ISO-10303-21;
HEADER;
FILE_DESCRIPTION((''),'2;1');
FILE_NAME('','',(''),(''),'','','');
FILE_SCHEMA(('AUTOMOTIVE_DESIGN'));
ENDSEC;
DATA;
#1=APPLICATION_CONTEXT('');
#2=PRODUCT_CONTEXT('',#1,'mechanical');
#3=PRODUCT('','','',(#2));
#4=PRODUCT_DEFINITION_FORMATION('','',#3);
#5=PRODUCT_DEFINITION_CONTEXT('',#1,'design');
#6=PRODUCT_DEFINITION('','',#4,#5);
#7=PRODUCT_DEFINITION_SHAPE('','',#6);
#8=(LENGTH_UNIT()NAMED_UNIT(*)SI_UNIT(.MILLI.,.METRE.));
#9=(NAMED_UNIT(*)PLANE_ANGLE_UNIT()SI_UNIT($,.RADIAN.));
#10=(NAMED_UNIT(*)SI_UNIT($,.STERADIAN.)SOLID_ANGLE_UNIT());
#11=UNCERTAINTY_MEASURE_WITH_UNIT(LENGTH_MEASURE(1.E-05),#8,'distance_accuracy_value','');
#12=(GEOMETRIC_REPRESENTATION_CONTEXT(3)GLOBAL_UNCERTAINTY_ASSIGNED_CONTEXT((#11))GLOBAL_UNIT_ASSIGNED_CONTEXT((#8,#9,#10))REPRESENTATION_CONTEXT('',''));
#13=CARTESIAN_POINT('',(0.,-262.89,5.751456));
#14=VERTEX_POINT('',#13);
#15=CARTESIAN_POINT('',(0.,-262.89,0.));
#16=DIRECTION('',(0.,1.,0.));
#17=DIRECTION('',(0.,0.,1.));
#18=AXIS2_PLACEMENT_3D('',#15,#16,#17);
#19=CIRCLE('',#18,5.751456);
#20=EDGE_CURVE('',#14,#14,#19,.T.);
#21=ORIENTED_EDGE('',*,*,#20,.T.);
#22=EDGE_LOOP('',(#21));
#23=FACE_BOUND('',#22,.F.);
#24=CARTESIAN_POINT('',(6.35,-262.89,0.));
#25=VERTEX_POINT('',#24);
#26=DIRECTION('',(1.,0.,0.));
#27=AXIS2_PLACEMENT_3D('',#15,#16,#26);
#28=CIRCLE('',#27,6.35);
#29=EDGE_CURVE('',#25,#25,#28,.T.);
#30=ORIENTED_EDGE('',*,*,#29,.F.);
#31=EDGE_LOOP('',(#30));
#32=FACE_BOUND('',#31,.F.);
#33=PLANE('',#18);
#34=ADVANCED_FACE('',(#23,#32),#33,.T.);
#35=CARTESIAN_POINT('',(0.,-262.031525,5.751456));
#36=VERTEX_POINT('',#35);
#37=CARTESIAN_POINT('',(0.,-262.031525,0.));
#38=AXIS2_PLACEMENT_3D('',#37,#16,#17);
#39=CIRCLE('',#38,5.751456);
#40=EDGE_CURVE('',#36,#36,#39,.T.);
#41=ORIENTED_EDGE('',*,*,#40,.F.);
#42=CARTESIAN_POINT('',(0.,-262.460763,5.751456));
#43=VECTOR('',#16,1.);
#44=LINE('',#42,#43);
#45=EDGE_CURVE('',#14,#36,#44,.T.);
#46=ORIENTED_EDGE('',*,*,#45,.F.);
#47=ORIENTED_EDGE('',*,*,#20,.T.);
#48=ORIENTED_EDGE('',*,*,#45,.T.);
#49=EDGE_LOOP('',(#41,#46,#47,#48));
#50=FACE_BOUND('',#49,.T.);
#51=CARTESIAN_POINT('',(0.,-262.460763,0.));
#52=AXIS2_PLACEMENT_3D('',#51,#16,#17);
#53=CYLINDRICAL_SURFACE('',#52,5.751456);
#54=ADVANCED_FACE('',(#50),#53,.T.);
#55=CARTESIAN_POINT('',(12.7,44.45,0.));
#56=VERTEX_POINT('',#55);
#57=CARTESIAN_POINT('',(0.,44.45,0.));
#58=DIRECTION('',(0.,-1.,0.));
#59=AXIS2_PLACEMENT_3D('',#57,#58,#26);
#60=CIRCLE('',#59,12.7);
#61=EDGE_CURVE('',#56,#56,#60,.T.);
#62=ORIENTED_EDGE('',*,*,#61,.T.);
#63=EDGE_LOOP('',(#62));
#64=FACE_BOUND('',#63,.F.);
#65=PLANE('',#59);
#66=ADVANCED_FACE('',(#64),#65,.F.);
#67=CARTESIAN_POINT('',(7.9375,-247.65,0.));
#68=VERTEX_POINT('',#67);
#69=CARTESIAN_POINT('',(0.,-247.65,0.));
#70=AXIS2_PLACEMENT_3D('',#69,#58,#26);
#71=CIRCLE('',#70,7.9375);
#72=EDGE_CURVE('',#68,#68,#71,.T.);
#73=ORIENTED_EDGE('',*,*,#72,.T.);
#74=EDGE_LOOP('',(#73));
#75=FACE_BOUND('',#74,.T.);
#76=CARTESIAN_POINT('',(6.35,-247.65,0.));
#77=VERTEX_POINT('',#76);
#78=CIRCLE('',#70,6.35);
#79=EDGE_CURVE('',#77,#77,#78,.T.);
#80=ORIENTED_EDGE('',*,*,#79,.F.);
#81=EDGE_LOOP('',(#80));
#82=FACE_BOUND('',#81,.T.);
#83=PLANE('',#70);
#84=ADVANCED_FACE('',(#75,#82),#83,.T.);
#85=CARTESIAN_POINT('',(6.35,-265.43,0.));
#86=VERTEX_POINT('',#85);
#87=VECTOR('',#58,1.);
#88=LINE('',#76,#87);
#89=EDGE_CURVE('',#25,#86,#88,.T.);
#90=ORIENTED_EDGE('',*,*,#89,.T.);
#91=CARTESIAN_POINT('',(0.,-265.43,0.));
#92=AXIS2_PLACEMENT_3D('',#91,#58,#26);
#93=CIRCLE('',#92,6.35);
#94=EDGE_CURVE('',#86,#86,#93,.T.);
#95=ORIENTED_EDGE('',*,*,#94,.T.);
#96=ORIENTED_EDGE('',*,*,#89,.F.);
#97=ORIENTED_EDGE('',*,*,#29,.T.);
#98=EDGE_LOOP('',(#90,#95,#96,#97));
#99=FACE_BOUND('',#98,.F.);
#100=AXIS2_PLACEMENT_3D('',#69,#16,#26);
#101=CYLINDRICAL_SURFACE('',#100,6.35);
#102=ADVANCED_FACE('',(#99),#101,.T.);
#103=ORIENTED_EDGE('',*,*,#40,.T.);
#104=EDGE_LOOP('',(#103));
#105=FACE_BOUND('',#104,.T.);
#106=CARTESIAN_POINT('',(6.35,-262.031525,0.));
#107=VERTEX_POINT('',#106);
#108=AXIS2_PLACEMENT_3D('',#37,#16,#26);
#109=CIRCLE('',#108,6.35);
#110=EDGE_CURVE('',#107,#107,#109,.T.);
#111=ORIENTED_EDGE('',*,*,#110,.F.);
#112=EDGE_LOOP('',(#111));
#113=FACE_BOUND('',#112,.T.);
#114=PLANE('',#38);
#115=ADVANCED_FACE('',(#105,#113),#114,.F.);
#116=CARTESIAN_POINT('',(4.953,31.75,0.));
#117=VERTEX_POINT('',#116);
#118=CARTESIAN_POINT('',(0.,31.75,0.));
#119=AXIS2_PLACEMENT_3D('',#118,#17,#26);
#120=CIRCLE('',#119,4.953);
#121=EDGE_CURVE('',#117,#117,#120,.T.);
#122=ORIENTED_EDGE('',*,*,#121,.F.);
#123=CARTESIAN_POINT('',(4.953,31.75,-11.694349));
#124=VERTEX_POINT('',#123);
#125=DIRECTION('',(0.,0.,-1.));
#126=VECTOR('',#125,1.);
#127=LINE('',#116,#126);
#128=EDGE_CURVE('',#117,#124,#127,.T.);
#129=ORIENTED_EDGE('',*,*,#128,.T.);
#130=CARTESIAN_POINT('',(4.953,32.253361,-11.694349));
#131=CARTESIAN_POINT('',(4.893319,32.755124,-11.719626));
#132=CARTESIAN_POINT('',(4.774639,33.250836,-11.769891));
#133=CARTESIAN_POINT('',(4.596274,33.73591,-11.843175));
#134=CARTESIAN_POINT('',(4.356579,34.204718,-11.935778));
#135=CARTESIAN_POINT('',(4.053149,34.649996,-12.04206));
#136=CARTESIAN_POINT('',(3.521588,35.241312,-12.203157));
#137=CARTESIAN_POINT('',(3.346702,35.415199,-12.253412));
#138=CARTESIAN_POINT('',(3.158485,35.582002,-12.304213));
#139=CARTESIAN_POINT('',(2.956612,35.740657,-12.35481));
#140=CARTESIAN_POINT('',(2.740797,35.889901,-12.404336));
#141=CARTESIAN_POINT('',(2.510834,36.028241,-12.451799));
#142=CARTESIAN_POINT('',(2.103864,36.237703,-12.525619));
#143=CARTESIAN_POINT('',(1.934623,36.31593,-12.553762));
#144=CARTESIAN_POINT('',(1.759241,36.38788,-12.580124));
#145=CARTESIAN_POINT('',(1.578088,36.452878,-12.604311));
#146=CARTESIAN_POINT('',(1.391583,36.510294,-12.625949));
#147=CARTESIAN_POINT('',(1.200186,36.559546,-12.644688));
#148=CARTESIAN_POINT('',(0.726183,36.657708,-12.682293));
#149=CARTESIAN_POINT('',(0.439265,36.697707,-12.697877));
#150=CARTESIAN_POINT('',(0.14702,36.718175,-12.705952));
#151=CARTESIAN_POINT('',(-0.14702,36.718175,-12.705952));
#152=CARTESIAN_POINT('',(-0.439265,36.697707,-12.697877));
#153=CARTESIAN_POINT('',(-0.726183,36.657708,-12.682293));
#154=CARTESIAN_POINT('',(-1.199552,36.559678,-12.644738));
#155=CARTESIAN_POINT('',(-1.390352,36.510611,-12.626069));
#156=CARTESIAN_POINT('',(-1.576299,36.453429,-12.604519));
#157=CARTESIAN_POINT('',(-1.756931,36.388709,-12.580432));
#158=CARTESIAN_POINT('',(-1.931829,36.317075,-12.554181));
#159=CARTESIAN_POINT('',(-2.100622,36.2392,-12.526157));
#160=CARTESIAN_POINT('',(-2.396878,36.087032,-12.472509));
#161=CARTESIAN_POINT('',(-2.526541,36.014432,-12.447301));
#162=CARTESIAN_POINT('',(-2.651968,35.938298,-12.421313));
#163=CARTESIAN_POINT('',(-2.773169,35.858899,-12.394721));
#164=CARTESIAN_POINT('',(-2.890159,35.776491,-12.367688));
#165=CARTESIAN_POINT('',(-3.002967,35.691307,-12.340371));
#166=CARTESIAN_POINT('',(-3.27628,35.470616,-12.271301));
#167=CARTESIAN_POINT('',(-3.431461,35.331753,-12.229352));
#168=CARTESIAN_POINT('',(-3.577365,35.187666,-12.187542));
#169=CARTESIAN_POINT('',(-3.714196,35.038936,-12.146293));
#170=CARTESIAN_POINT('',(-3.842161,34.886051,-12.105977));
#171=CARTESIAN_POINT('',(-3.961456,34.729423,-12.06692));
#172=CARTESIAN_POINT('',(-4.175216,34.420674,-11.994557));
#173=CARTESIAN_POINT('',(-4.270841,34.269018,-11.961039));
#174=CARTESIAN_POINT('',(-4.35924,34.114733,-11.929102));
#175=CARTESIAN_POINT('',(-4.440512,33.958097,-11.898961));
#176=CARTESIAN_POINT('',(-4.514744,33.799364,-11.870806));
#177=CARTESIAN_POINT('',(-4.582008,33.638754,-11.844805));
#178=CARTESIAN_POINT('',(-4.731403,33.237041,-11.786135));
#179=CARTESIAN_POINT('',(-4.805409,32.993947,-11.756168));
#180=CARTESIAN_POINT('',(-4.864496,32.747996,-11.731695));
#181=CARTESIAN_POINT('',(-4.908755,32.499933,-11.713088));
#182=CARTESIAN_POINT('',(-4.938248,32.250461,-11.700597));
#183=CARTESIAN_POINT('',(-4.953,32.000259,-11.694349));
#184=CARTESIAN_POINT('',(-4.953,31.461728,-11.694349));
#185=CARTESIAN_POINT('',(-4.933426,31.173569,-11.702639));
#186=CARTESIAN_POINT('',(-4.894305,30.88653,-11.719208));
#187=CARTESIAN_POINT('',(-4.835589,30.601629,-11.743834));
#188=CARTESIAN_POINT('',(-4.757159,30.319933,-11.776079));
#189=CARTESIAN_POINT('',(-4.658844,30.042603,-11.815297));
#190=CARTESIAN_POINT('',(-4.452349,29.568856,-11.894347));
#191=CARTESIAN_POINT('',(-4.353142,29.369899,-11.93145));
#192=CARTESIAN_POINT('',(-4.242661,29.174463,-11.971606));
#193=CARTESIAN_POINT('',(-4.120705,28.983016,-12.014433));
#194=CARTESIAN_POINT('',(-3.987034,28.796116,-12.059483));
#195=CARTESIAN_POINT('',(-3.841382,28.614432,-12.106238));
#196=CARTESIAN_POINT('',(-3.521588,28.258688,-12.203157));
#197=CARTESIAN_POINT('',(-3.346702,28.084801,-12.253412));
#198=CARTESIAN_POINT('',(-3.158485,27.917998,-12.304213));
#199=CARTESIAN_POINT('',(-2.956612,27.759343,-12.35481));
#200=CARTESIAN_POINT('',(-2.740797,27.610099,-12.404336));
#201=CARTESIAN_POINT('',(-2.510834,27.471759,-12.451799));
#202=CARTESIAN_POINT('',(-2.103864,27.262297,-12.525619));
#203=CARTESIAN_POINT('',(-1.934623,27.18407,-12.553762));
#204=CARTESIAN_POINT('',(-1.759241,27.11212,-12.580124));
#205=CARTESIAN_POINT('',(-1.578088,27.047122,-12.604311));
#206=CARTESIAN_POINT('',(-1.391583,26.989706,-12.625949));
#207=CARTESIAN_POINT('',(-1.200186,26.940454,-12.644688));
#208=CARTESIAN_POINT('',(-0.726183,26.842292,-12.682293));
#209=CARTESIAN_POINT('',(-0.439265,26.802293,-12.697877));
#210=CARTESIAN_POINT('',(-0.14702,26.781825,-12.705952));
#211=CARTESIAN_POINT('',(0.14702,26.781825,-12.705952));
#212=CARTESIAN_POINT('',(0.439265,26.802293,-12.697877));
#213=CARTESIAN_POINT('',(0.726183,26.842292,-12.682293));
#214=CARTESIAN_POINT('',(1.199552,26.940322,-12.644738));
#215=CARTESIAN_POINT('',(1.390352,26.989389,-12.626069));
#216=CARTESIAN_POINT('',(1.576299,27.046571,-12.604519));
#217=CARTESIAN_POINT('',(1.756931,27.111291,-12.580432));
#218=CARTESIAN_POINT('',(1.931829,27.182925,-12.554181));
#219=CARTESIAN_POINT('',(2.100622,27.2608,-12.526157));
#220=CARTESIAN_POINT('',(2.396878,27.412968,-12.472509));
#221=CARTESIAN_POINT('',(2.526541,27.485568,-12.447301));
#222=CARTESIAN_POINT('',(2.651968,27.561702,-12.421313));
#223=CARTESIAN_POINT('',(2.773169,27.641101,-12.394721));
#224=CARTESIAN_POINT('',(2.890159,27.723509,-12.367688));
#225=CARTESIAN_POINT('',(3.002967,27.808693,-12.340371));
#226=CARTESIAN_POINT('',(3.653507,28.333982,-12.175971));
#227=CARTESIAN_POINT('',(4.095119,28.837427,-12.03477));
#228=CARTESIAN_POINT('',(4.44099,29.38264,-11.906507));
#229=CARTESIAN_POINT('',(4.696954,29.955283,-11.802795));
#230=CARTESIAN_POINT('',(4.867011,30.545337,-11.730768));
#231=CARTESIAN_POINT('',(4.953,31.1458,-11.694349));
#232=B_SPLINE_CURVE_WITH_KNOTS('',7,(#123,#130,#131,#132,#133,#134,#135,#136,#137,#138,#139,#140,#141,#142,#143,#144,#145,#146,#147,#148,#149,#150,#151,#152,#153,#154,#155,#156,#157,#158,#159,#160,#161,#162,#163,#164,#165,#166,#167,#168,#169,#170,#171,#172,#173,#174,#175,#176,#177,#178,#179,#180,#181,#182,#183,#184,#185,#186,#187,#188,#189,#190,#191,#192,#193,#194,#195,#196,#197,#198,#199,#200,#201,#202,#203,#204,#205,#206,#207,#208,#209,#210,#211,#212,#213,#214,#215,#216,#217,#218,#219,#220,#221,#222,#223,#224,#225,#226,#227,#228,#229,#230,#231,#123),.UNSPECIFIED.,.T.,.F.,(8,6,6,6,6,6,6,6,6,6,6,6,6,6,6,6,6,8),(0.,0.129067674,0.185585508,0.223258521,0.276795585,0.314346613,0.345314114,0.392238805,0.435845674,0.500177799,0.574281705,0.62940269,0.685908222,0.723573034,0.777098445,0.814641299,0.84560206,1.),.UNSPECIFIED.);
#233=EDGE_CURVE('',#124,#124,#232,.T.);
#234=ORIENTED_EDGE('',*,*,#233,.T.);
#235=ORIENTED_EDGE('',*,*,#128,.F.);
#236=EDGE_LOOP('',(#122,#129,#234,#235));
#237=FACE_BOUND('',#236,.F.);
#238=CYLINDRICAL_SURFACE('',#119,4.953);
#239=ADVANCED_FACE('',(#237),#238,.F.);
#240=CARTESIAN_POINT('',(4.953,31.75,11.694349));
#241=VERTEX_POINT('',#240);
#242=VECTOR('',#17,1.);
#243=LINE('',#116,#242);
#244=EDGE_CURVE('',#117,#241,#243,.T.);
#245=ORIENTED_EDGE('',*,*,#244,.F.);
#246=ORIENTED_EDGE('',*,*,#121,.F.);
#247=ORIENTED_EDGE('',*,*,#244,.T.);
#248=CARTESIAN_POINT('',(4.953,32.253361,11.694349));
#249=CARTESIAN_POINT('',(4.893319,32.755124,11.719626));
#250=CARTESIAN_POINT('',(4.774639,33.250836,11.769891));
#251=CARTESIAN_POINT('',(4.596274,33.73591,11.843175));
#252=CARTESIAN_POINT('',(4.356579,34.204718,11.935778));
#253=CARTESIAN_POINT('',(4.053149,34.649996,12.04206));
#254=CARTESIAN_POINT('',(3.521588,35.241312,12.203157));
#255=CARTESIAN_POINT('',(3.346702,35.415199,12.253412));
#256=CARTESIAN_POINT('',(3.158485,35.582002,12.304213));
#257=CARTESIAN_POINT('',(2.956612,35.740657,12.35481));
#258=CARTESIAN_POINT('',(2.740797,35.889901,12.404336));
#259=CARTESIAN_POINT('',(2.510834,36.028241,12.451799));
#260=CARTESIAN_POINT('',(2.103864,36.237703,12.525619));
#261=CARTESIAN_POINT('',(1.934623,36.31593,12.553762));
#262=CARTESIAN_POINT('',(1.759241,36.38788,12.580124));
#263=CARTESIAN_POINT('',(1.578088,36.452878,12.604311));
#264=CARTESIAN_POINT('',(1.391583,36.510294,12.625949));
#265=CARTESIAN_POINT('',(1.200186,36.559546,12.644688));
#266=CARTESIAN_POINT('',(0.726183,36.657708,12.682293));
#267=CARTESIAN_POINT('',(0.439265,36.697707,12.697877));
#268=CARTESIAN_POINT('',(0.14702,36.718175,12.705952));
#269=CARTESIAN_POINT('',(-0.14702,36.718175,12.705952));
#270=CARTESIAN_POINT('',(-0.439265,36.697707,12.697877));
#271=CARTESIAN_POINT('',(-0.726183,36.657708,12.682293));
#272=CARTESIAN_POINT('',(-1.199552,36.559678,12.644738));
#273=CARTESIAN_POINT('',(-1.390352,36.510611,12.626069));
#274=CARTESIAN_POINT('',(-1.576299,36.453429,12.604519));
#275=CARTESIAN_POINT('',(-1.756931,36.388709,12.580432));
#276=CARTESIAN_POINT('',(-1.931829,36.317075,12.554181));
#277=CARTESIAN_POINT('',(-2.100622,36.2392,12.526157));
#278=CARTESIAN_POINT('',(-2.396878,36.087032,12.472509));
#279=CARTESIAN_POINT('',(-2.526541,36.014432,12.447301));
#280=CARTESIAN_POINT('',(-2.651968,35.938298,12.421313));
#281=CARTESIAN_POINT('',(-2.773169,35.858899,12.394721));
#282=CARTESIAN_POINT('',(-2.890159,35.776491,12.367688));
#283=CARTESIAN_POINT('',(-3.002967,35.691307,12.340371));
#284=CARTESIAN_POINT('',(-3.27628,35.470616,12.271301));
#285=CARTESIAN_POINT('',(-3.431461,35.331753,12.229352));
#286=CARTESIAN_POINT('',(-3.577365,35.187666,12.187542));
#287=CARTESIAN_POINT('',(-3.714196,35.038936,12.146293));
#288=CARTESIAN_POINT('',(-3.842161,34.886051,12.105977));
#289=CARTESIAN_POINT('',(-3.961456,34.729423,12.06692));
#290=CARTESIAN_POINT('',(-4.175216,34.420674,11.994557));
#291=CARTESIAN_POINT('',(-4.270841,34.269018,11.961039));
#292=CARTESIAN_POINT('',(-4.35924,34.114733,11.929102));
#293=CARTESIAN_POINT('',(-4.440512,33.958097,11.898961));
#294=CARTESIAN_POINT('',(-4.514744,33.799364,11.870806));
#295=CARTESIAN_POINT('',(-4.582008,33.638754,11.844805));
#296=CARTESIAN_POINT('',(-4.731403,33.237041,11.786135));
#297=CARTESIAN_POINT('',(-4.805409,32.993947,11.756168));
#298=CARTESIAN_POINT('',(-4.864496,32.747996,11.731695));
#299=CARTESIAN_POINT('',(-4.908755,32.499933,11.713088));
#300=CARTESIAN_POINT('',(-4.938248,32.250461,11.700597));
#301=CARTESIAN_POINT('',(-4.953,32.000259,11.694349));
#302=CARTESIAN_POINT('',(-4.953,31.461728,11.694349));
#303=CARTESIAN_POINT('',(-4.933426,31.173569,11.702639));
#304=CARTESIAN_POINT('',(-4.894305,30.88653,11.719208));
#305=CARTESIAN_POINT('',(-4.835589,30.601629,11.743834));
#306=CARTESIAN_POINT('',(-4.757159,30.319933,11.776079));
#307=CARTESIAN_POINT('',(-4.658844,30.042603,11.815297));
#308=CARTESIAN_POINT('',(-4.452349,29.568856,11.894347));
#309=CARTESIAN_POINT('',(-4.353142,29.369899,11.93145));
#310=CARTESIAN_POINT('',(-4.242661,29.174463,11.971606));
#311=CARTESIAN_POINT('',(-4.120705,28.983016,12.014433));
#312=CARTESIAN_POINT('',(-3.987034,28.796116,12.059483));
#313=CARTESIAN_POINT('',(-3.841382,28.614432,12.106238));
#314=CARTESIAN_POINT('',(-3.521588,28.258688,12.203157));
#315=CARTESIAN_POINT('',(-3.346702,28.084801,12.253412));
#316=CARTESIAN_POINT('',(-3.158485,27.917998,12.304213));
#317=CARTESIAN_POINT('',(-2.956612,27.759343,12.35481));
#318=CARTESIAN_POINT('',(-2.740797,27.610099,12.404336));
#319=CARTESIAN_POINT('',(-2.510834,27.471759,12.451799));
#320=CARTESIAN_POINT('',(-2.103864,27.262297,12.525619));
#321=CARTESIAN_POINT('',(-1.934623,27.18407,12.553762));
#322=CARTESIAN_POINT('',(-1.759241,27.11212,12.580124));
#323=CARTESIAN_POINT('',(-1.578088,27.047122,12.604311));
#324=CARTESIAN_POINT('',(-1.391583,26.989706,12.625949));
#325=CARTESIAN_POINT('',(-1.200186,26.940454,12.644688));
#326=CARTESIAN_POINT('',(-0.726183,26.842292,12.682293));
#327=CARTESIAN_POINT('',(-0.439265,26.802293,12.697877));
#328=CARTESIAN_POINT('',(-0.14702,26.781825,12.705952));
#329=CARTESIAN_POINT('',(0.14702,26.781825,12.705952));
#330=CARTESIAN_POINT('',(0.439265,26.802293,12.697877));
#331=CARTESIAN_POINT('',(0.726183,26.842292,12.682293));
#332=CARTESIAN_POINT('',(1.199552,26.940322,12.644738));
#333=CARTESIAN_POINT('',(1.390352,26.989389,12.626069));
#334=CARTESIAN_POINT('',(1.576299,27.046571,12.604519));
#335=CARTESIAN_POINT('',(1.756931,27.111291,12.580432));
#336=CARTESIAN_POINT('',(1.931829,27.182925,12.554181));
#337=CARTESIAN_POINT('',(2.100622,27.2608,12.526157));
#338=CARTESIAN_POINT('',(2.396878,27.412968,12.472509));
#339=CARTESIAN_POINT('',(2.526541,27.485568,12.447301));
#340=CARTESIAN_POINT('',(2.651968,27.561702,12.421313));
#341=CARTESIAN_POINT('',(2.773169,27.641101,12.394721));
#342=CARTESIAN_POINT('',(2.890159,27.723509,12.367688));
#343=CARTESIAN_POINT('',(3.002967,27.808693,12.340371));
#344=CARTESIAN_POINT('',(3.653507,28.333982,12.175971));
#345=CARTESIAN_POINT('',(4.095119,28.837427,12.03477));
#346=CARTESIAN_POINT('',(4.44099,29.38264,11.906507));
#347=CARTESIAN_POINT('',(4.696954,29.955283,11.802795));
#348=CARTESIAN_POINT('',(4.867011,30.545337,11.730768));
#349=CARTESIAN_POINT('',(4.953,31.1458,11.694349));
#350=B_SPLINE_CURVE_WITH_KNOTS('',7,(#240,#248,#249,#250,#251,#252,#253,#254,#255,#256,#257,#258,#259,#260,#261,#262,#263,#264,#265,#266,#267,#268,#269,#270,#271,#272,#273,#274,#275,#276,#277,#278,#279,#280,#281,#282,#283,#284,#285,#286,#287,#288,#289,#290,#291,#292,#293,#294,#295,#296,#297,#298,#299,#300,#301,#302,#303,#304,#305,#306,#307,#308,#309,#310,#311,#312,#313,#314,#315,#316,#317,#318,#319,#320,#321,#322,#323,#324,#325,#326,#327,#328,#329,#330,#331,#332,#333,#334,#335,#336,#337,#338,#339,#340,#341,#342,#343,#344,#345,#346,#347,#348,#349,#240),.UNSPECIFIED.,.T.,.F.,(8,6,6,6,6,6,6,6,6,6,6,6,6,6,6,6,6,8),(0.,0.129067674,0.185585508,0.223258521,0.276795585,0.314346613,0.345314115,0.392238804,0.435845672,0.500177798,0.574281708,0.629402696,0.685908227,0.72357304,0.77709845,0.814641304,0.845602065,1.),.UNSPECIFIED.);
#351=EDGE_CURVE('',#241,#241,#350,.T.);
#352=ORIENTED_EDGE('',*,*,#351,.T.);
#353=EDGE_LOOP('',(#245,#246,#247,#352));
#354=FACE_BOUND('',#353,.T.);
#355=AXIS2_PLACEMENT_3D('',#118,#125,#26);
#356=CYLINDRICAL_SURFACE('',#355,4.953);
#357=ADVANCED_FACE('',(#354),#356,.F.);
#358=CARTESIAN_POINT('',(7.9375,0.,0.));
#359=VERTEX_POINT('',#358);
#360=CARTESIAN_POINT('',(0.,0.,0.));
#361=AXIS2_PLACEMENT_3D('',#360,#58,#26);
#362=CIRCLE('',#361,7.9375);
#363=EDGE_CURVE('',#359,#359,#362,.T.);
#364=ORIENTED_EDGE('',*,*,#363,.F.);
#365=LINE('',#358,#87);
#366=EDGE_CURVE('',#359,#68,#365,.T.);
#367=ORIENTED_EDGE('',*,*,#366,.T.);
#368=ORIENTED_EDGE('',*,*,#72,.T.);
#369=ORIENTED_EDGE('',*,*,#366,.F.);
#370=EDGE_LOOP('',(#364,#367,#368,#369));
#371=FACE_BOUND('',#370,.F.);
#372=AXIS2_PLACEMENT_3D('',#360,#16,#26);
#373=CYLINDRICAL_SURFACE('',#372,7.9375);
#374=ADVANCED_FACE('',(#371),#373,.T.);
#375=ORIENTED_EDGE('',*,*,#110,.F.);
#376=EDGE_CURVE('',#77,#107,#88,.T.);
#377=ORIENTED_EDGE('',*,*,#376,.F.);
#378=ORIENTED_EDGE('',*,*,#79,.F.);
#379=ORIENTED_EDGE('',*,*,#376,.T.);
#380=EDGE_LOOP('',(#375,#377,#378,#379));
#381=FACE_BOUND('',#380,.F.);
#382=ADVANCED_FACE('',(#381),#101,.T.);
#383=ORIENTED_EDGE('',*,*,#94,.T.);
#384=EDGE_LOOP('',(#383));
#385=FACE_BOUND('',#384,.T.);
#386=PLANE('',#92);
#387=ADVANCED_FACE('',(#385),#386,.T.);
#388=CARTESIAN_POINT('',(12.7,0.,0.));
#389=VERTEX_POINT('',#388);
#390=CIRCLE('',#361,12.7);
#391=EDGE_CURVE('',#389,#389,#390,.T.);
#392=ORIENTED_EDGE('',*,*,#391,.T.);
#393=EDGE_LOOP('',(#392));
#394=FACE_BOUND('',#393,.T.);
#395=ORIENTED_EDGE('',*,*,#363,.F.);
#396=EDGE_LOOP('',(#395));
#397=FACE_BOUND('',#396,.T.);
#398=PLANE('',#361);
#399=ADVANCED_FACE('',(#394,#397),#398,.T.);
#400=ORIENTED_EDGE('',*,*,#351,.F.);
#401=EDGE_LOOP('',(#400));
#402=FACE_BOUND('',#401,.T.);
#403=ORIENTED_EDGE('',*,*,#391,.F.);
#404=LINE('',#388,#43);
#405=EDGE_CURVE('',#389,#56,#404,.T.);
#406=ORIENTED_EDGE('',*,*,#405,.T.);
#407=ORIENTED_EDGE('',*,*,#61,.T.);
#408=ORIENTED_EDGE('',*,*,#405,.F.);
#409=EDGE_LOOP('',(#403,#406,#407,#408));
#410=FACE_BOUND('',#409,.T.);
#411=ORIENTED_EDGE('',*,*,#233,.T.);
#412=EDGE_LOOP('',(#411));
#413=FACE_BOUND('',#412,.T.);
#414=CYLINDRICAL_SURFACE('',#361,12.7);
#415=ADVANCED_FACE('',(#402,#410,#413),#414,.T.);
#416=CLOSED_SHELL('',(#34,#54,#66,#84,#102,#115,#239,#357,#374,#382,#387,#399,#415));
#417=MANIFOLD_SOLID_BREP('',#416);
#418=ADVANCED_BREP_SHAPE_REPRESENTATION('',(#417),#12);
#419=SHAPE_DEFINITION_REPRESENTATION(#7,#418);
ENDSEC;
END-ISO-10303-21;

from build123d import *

# Parameters (mm, degrees)
F0_R          = 12.7
F1_DEPTH      = 44.45
F2_R          = 7.9375
F3_DEPTH      = 247.65
F4_R          = 6.35
F5_DEPTH      = 17.78
F6_W          = 0.8584746265
F6_H          = 1.4799516648
F8_R          = 4.953
F9_DEPTH      = 25.4
F9_DEPTH_BACK = 25.4


with BuildPart() as f1:
    # F0 (on Front) → F1 (new body)
    with BuildSketch(Plane.XZ):
        Circle(F0_R)
    extrude(amount=-F1_DEPTH)

    # F2 (on face) → F3 (join)
    with BuildSketch(Plane.XZ):
        Circle(F2_R)
    extrude(amount=F3_DEPTH)

    # F4 (on face) → F5 (join)
    with BuildSketch(Plane.XZ.offset(247.65)):
        Circle(F4_R)
    extrude(amount=F5_DEPTH)

    # F6 (on Right) → F7 (revolve, cut)
    with BuildSketch(Plane.YZ):
        with Locations((-262.4607626867, 6.4914319664)):
            Rectangle(F6_W, F6_H)
    revolve(axis=Axis((0, -260.4791074991, 0), (0, 1, 0)), mode=Mode.SUBTRACT)

    # F8 (on Top) → F9 (cut, two sides)
    with BuildSketch(Plane.XY) as f9_sk:
        with Locations((0, 31.75)):
            Circle(F8_R)
    extrude(amount=-F9_DEPTH, mode=Mode.SUBTRACT)
    extrude(f9_sk.sketch, amount=F9_DEPTH_BACK, mode=Mode.SUBTRACT)


solid = f1.part
